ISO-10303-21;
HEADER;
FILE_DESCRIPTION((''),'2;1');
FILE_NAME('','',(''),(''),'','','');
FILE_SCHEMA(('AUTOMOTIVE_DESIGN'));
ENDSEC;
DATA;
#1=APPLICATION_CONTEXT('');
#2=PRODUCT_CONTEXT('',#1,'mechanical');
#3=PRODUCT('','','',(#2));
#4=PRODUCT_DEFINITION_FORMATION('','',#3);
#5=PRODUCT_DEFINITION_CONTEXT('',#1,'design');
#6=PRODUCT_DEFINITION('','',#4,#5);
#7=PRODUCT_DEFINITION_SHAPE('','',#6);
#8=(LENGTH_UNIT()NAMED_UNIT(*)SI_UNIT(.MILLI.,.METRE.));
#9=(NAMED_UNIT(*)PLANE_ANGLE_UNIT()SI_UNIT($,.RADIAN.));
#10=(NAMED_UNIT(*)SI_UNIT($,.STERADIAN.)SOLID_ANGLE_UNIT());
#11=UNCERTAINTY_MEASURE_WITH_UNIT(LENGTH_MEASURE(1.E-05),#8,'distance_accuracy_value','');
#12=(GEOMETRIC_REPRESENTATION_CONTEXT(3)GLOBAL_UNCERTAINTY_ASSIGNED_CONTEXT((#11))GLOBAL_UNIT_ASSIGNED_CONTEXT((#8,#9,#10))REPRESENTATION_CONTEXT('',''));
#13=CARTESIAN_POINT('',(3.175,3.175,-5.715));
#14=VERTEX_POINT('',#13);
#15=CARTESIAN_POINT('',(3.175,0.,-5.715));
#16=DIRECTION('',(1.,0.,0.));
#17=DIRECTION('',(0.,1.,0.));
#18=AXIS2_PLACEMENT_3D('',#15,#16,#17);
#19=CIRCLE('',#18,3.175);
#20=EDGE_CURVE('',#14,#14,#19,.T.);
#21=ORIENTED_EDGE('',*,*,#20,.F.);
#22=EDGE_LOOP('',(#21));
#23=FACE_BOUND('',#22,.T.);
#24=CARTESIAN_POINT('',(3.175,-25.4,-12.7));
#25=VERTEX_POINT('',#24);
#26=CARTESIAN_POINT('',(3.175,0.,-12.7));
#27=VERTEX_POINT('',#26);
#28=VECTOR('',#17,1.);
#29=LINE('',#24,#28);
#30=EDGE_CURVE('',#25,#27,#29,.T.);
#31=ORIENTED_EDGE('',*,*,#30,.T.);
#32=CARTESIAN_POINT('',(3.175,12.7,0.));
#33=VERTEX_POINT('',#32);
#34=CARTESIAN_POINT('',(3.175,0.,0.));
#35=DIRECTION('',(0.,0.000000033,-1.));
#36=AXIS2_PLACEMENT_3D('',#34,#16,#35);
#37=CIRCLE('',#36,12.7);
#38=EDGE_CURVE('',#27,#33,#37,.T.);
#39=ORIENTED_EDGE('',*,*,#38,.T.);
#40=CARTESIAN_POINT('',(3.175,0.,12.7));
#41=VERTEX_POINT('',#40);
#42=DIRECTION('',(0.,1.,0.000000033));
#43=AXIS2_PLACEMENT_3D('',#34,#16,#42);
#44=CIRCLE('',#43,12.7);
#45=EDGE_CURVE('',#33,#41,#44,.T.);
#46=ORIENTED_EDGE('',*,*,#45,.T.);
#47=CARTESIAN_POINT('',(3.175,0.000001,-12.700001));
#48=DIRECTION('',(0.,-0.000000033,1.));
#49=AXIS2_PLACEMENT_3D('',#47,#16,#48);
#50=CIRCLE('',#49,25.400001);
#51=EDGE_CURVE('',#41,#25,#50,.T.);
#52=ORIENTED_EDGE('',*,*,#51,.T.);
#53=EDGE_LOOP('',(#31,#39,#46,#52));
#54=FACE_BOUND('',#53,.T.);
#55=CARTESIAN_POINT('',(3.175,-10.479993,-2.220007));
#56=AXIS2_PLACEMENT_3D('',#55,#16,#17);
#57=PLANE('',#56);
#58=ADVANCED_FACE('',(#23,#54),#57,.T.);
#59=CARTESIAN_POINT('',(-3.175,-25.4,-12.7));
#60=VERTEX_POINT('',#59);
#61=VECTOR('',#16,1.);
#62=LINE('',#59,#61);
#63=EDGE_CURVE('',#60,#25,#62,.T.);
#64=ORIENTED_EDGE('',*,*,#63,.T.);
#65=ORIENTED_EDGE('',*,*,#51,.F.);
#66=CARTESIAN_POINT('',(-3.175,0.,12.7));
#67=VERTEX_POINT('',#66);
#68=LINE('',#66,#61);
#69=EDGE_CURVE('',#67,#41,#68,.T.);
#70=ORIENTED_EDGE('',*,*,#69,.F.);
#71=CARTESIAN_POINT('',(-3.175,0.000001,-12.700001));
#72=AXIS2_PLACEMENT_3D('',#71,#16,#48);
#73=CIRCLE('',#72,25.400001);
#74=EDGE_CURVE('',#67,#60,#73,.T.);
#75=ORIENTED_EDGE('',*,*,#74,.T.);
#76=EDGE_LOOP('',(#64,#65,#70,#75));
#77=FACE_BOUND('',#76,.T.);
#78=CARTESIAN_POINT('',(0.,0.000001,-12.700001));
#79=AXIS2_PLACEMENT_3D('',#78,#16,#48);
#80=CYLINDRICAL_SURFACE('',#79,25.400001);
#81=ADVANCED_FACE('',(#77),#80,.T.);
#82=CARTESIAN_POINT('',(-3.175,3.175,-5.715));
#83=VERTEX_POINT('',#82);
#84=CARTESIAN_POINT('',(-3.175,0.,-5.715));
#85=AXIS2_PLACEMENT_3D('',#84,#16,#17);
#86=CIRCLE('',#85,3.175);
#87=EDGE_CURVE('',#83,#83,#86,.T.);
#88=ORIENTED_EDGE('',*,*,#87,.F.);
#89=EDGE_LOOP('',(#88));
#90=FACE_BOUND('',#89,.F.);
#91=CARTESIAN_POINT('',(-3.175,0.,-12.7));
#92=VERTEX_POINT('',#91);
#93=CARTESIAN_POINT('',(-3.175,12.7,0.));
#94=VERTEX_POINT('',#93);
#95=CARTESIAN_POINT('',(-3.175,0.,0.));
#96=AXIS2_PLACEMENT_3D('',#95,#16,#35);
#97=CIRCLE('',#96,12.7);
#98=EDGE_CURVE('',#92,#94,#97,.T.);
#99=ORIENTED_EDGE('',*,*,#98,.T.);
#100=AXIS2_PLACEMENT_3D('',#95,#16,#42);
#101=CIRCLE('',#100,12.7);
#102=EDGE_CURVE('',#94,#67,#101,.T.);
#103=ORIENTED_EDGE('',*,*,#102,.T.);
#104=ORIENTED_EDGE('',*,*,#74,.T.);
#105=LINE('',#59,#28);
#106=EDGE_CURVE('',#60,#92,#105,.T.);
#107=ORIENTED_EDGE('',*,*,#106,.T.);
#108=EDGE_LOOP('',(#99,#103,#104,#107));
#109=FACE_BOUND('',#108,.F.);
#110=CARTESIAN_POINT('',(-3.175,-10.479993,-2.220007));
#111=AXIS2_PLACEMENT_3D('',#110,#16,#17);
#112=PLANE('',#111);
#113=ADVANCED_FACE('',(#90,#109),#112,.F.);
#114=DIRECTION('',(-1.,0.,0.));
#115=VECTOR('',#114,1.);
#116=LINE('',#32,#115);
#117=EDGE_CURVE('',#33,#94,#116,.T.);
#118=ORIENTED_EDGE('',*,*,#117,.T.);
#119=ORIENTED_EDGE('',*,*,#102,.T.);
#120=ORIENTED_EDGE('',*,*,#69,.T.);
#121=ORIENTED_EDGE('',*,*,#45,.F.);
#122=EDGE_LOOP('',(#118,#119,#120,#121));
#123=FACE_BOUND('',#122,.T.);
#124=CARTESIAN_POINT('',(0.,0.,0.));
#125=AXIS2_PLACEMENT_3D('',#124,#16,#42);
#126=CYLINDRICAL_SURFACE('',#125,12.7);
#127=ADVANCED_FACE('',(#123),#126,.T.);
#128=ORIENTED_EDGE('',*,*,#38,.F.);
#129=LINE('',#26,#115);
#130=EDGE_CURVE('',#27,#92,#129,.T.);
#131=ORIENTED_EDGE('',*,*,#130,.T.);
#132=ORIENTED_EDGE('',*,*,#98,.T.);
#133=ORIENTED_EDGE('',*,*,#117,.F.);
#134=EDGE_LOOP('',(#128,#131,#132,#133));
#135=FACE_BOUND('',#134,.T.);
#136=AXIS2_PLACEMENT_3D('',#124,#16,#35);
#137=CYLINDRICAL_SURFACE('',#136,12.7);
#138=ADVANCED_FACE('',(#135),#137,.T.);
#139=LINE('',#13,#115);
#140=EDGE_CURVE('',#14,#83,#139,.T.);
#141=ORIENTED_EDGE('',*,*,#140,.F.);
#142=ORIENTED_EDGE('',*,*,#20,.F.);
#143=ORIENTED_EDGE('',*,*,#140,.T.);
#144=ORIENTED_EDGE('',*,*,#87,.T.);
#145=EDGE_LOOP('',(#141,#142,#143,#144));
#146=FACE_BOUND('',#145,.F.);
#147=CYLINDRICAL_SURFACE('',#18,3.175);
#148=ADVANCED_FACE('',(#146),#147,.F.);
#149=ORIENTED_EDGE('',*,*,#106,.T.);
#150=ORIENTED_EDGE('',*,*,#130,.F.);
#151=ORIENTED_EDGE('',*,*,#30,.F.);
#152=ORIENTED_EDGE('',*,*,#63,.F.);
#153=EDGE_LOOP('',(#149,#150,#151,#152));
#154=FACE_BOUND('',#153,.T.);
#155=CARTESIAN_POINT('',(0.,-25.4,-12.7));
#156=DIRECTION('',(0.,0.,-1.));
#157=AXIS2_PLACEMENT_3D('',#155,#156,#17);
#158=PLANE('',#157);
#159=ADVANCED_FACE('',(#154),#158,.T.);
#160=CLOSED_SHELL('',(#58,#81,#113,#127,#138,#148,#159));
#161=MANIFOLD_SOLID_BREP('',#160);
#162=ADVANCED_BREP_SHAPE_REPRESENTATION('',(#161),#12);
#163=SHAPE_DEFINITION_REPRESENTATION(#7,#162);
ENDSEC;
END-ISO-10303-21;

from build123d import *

# Parameters (mm, degrees)
F1_DEPTH = 3.175
F2_R     = 3.175
F3_DEPTH = 6.351


with BuildPart() as f1:
    # F0 (on Right) → F1 (new body, symmetric)
    with BuildSketch(Plane.YZ):
        with BuildLine():
            Line((0, -12.7), (0, 0))
            Line((0, 0), (0, 12.7))
            ThreePointArc((0, 12.7), (-17.960512, 5.260512), (-25.4, -12.7))
            Line((-25.4, -12.7), (0, -12.7))
        make_face()
        with BuildLine():
            Line((0, 12.7), (0, 0))
            Line((0, 0), (12.7, 0))
            ThreePointArc((12.7, 0), (8.980256, 8.980256), (0, 12.7))
        make_face()
        with BuildLine():
            Line((12.7, 0), (0, 0))
            Line((0, 0), (0, -12.7))
            ThreePointArc((0, -12.7), (8.980256, -8.980256), (12.7, 0))
        make_face()
    extrude(amount=F1_DEPTH, both=True)

    # F2 (on face) → F3 (cut, through all)
    with BuildSketch(Plane.YZ.offset(3.175)):
        with Locations((0, -5.715)):
            Circle(F2_R)
    extrude(amount=-F3_DEPTH, mode=Mode.SUBTRACT)


solid = f1.part
